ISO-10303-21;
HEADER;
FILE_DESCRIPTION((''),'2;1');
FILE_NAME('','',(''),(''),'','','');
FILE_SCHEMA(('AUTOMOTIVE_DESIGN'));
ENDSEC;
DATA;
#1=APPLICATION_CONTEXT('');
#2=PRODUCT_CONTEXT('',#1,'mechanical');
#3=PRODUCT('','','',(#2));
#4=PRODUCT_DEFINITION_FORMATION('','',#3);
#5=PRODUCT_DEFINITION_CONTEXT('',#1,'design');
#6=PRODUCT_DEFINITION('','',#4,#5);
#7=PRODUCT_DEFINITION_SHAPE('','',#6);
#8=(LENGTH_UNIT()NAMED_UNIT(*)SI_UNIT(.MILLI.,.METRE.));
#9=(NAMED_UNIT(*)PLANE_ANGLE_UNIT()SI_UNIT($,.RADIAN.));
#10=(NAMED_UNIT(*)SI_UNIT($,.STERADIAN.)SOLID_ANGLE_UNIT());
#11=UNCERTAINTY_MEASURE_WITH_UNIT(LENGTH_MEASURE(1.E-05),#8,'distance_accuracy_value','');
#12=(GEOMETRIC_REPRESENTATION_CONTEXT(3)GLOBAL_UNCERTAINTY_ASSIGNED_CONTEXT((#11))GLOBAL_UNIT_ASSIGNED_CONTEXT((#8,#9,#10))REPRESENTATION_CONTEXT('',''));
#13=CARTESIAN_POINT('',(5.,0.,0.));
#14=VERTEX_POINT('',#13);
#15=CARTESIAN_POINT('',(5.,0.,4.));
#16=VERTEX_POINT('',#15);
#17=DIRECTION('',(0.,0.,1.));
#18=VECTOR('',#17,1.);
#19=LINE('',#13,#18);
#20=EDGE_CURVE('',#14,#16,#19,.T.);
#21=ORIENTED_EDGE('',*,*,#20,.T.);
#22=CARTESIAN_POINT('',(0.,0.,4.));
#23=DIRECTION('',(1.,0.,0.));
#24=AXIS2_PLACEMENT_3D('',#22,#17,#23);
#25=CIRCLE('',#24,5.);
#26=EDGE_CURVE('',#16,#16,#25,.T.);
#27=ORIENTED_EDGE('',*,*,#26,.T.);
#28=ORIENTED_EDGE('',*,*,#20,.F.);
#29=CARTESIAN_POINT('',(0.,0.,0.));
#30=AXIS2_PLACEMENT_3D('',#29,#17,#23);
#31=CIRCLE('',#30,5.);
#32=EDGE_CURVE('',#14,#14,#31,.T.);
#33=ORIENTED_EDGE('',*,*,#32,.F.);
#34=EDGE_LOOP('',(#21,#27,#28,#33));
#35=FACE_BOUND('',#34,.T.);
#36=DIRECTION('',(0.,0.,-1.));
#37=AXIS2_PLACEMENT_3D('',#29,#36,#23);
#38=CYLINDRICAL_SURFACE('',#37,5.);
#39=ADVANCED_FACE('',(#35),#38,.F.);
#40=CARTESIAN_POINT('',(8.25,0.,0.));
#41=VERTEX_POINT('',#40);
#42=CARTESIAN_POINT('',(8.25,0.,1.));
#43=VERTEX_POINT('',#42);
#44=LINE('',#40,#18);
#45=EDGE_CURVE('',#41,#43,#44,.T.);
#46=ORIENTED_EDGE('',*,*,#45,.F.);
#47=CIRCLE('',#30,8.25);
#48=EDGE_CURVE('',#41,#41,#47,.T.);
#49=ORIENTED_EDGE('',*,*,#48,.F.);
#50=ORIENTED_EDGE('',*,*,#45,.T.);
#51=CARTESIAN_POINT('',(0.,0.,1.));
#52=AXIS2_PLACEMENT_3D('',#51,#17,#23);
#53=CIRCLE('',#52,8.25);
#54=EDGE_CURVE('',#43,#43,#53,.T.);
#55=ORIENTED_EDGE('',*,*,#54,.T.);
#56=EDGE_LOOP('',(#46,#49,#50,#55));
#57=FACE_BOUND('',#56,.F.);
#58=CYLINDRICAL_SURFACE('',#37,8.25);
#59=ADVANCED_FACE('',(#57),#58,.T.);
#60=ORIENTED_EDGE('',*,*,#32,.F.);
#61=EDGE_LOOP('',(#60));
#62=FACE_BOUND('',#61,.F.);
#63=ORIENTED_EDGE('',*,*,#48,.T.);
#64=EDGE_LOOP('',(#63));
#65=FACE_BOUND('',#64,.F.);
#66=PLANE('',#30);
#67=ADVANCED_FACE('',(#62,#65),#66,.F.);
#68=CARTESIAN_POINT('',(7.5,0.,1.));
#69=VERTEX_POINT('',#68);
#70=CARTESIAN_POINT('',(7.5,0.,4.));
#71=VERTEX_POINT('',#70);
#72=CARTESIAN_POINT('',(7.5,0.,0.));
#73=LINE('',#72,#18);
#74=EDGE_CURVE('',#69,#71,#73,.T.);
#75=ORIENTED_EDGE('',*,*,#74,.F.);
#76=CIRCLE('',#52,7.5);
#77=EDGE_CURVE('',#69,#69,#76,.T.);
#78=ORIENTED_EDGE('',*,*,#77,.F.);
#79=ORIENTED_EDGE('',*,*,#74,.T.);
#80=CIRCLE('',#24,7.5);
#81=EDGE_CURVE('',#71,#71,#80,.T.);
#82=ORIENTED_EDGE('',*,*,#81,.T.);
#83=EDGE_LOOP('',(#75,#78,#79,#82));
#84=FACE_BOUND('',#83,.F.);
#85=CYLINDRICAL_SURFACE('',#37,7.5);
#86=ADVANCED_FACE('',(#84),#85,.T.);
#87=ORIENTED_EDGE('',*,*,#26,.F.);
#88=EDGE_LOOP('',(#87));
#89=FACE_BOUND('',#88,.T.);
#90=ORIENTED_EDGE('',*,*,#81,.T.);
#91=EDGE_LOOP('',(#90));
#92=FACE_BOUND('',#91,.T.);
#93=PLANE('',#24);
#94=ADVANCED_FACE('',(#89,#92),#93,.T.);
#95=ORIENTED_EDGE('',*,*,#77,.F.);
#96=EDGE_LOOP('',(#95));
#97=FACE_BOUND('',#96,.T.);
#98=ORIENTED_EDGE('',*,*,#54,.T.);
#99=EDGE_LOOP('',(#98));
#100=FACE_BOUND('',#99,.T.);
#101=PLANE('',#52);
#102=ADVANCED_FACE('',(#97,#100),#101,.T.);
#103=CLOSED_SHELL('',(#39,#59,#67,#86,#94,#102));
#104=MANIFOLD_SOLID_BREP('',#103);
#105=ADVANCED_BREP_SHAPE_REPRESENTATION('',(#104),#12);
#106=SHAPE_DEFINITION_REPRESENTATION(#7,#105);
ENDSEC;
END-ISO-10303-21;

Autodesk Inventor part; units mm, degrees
ref_plane "YZ Plane" through (0, 0, 0) normal (1, 0, 0) x (0, 1, 0)
ref_plane "XZ Plane" through (0, 0, 0) normal (0, 1, 0) x (-1, 0, 0)
ref_plane "XY Plane" through (0, 0, 0) normal (0, 0, 1) x (1, 0, 0)
sketch "スケッチ1" plane through (0, 0, 0) normal (0, 0, 1) x (1, 0, 0)
  circle A0 centre (0, 0) radius 5
  circle A1 centre (0, 0) radius 7.5
  circle A2 centre (0, 0) radius 8.25
  dimension "d0" = 10
  dimension "d1" = 15
  dimension "d2" = 16.5
extrude "押し出し1" add sketch "スケッチ1" along normal blind 1 contours A2
extrude "押し出し2" add sketch "スケッチ1" along normal blind 4 contours A1
properties part number "bear_10_15_sn_CPY_CPY" material "アルミニウム 6061-AHC"
